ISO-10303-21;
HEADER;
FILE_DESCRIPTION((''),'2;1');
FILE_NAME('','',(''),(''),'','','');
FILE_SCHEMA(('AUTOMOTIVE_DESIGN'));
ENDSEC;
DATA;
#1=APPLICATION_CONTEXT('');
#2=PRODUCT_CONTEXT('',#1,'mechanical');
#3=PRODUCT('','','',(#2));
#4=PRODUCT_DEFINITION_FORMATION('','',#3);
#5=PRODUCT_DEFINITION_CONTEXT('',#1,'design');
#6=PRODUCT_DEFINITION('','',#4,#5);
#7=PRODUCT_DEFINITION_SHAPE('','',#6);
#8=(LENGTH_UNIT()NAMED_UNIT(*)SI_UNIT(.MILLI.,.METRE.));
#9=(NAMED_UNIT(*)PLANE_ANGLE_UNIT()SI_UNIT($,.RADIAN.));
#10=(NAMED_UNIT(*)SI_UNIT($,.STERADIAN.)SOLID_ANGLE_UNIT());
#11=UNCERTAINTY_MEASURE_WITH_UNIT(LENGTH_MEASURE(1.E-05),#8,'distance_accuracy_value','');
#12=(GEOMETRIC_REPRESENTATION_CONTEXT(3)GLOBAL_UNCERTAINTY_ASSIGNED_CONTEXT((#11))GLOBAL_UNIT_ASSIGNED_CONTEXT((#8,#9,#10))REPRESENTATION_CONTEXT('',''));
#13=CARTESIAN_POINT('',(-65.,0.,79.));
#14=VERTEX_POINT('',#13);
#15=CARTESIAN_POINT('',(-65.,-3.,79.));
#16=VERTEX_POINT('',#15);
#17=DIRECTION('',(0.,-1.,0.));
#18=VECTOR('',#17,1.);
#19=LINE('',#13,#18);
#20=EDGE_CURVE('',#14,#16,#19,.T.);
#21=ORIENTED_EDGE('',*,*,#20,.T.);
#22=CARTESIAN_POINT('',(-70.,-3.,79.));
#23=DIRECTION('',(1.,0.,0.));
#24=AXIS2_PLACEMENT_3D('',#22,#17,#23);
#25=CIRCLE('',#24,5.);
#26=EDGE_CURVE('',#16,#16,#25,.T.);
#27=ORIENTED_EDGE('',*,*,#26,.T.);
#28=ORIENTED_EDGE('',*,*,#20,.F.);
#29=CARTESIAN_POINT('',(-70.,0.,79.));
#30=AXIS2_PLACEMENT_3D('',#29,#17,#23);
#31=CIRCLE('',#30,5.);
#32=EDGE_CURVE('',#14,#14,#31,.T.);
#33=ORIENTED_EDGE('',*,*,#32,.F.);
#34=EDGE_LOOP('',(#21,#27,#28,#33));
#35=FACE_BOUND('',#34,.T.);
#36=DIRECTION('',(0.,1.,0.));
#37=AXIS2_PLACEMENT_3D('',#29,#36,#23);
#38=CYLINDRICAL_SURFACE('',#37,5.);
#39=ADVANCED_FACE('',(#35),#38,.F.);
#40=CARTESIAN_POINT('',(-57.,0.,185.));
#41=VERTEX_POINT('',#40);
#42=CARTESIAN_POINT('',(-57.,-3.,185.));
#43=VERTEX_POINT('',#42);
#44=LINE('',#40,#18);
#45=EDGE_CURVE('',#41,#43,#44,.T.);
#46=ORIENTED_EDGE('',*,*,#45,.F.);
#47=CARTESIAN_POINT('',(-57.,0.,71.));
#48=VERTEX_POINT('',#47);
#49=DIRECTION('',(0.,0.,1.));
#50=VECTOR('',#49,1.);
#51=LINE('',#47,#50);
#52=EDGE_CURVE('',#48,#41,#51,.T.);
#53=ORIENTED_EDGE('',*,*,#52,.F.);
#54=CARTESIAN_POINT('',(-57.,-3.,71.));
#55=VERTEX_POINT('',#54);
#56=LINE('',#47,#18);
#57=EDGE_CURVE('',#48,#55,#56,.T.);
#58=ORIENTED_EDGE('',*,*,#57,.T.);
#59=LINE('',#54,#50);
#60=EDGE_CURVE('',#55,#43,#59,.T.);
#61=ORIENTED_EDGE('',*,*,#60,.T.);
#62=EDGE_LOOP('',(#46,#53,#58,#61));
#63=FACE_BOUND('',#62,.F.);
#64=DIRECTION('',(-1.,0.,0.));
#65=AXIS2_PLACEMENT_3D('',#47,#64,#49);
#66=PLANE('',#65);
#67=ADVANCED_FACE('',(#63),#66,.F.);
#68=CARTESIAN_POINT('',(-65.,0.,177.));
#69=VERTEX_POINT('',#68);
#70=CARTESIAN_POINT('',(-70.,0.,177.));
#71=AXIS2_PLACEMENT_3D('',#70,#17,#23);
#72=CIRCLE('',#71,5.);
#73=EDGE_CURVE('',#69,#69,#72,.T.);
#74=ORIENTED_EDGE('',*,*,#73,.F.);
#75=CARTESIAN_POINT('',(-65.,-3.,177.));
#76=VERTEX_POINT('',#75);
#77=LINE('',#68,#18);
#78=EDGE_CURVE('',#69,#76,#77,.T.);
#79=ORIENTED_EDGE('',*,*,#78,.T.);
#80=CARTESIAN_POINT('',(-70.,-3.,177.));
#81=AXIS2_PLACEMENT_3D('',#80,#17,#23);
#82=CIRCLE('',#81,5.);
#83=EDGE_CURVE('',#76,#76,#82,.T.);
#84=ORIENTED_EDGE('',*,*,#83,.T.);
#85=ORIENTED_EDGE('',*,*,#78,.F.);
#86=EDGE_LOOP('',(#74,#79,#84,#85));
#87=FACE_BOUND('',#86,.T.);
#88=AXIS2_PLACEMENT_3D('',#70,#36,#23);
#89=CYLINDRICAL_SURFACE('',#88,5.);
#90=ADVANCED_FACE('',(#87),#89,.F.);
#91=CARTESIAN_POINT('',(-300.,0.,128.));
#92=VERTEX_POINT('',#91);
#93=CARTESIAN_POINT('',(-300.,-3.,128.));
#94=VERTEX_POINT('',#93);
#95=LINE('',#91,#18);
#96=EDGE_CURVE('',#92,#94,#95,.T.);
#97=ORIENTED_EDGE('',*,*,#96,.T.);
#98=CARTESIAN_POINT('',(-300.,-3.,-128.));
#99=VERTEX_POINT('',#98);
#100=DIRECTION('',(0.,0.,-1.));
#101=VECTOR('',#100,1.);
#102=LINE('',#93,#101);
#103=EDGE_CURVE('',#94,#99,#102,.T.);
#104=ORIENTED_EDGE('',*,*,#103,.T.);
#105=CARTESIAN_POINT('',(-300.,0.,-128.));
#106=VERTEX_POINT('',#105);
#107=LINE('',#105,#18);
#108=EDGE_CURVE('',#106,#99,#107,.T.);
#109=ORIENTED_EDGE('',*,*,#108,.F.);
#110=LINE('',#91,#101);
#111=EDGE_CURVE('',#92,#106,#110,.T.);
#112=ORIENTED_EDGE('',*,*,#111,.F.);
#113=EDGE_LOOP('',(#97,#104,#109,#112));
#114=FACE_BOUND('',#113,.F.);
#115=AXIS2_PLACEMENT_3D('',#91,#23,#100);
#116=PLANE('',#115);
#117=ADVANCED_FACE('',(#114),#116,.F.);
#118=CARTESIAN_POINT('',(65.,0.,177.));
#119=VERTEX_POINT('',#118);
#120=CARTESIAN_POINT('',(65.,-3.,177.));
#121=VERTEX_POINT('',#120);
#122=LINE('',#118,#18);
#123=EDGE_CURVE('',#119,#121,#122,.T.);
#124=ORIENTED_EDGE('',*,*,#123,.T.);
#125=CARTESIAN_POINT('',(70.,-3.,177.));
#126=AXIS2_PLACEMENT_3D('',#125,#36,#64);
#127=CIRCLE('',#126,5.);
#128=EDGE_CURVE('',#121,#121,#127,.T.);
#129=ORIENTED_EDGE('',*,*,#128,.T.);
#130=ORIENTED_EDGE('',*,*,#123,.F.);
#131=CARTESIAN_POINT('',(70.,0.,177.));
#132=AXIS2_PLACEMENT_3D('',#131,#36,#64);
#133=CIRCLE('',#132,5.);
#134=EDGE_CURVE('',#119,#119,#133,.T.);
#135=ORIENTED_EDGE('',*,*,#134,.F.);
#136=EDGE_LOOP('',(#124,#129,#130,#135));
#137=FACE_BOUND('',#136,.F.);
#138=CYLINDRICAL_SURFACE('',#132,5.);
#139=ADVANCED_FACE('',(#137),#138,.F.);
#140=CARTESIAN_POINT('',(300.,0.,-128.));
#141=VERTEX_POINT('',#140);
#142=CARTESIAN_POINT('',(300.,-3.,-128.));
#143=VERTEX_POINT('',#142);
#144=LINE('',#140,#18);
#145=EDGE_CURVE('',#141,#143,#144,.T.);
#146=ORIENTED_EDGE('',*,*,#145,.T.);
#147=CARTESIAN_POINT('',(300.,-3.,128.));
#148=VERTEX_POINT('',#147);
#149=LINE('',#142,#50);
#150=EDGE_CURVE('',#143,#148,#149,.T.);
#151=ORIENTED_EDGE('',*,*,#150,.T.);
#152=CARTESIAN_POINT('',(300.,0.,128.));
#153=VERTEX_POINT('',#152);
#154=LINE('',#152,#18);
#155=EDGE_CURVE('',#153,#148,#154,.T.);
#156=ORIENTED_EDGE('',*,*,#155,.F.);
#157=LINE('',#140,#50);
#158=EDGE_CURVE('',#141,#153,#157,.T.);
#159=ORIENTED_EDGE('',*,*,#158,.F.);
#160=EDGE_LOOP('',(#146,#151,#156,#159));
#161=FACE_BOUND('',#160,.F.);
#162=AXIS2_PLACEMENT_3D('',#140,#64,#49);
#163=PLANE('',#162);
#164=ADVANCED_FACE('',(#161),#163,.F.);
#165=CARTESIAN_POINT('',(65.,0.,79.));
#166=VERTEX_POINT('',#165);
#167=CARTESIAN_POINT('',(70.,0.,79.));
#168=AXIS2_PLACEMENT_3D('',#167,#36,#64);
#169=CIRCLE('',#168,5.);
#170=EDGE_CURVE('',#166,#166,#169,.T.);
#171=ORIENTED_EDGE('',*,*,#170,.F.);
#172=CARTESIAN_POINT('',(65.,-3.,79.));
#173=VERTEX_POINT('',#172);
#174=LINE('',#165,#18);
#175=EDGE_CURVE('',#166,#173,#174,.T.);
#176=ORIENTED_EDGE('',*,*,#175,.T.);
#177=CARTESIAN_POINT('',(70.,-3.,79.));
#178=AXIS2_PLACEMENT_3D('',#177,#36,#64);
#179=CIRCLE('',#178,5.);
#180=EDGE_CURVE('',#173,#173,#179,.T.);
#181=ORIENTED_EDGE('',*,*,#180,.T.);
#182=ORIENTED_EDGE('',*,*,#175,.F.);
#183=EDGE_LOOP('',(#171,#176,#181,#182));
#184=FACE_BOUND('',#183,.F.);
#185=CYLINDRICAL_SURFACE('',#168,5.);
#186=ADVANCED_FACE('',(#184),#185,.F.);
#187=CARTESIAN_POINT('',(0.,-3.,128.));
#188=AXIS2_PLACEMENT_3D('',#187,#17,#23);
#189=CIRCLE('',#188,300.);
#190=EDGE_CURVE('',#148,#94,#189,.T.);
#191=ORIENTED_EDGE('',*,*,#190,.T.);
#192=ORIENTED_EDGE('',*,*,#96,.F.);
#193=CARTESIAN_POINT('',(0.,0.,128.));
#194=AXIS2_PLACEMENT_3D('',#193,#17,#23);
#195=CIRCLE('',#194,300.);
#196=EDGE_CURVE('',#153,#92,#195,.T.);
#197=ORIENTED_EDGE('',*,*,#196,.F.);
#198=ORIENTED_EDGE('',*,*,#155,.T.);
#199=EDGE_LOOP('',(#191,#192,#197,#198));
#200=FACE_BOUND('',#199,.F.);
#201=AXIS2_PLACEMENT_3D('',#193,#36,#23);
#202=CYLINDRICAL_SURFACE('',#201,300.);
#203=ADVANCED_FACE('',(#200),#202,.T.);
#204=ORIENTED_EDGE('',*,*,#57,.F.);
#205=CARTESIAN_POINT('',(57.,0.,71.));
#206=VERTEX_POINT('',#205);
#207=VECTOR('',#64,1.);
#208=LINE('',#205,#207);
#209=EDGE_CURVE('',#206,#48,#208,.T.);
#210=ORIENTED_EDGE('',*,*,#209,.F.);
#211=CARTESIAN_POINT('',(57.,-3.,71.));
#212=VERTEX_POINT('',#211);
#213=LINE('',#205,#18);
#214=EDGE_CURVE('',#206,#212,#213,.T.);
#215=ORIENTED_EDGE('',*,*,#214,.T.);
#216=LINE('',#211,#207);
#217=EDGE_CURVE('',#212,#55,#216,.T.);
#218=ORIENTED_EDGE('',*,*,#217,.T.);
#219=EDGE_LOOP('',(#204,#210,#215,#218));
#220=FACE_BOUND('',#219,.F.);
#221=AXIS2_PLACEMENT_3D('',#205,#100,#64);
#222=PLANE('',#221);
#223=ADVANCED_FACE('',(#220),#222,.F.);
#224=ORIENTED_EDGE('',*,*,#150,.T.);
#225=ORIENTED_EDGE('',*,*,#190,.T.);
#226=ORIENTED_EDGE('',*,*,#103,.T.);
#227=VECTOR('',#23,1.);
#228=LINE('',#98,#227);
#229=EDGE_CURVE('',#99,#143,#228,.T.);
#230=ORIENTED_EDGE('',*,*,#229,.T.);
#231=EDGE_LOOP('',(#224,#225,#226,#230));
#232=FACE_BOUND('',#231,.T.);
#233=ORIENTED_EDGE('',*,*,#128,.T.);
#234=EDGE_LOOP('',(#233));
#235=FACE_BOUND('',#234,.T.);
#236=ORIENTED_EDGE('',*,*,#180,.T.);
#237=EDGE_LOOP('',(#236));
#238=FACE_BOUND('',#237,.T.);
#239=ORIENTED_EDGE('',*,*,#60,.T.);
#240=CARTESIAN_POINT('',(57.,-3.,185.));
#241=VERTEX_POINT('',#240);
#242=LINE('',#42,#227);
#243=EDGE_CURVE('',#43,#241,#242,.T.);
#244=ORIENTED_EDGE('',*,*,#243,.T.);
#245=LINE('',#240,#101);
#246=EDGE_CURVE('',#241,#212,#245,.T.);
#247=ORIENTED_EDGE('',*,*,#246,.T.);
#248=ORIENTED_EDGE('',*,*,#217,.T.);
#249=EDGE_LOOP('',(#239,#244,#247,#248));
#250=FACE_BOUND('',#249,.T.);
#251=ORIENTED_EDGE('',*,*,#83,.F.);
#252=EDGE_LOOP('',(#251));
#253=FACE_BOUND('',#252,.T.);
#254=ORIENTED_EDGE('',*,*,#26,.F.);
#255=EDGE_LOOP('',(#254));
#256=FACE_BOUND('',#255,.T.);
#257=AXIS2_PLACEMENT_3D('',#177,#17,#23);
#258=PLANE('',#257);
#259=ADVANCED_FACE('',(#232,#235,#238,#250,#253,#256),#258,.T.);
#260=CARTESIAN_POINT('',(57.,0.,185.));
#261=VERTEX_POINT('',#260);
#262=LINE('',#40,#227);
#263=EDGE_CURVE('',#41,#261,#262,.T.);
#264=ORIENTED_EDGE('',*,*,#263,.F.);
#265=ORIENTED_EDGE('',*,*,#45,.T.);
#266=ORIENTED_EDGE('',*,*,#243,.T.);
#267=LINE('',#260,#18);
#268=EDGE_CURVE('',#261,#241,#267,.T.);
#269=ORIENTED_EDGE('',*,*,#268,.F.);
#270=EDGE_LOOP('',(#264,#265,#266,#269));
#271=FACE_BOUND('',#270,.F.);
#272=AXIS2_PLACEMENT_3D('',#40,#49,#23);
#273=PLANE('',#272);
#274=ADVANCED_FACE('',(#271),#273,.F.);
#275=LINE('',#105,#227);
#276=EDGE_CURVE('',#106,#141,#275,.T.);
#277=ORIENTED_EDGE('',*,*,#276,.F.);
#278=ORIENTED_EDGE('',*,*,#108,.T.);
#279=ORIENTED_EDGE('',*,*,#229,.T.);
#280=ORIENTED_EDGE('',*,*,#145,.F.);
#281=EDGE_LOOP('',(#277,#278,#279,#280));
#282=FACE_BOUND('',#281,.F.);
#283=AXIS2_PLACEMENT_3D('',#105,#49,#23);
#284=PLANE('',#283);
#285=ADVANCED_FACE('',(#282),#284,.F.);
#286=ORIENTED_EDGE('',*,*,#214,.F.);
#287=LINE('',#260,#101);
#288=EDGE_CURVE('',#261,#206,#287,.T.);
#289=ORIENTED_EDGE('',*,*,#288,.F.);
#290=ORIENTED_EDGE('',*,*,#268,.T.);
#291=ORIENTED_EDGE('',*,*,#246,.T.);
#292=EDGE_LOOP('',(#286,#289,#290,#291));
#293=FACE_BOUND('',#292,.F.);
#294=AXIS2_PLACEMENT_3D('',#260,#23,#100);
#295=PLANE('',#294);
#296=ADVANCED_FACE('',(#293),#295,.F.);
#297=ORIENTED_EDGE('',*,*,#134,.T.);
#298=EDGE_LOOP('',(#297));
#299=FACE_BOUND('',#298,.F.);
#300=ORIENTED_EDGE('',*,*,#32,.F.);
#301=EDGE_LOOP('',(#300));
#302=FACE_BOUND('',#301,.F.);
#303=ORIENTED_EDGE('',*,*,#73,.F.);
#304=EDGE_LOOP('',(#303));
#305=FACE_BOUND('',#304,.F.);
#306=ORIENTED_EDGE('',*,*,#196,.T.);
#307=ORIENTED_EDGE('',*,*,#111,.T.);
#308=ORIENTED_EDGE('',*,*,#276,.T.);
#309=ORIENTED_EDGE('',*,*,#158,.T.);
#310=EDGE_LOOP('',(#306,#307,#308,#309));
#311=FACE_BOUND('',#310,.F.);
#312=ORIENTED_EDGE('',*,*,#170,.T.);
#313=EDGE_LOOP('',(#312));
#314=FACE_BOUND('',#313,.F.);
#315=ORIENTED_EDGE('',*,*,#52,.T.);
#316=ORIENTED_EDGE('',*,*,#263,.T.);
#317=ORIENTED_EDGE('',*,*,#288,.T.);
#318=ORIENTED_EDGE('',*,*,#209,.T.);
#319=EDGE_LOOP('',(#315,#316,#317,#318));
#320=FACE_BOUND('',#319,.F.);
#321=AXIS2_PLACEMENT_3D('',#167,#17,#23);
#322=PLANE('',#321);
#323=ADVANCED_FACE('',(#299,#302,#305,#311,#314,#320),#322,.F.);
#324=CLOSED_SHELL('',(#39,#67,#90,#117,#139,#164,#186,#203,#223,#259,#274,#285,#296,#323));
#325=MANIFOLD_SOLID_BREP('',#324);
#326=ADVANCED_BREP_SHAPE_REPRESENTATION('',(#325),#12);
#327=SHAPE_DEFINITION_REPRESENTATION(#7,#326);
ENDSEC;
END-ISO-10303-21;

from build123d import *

# Parameters (mm, degrees)
F0_R     = 5
F1_DEPTH = 3


with BuildPart() as f1:
    # F0 (on Front) → F1 (new body)
    with BuildSketch(Plane.XZ):
        with BuildLine():
            ThreePointArc((75, 79), (70, 84), (65, 79))
            ThreePointArc((65, 79), (70, 74), (75, 79))
        make_face()
        with Locations((-70, 79)):
            Circle(F0_R)
        Polygon((-300, 128), (-300, -128), (300, -128), (300, 128), (57, 128), (57, 79), (57, 71), (-57, 71), (-57, 79), (-57, 128), align=None)
        with Locations((-70, 79)):
            Circle(F0_R, mode=Mode.SUBTRACT)
        with BuildLine():
            ThreePointArc((75, 79), (70, 74), (65, 79))
            ThreePointArc((65, 79), (70, 84), (75, 79))
        make_face(mode=Mode.SUBTRACT)
        with Locations((-70, 177)):
            Circle(F0_R)
        with BuildLine():
            ThreePointArc((75, 177), (70, 182), (65, 177))
            ThreePointArc((65, 177), (70, 172), (75, 177))
        make_face()
        with BuildLine():
            ThreePointArc((300, 128), (0, 428), (-300, 128))
            Line((-300, 128), (-57, 128))
            Line((-57, 128), (-57, 177))
            Line((-57, 177), (-57, 185))
            Line((-57, 185), (57, 185))
            Line((57, 185), (57, 177))
            Line((57, 177), (57, 128))
            Line((57, 128), (300, 128))
        make_face()
        with Locations((-70, 177)):
            Circle(F0_R, mode=Mode.SUBTRACT)
        with BuildLine():
            ThreePointArc((75, 177), (70, 172), (65, 177))
            ThreePointArc((65, 177), (70, 182), (75, 177))
        make_face(mode=Mode.SUBTRACT)
    extrude(amount=F1_DEPTH)


solid = f1.part
